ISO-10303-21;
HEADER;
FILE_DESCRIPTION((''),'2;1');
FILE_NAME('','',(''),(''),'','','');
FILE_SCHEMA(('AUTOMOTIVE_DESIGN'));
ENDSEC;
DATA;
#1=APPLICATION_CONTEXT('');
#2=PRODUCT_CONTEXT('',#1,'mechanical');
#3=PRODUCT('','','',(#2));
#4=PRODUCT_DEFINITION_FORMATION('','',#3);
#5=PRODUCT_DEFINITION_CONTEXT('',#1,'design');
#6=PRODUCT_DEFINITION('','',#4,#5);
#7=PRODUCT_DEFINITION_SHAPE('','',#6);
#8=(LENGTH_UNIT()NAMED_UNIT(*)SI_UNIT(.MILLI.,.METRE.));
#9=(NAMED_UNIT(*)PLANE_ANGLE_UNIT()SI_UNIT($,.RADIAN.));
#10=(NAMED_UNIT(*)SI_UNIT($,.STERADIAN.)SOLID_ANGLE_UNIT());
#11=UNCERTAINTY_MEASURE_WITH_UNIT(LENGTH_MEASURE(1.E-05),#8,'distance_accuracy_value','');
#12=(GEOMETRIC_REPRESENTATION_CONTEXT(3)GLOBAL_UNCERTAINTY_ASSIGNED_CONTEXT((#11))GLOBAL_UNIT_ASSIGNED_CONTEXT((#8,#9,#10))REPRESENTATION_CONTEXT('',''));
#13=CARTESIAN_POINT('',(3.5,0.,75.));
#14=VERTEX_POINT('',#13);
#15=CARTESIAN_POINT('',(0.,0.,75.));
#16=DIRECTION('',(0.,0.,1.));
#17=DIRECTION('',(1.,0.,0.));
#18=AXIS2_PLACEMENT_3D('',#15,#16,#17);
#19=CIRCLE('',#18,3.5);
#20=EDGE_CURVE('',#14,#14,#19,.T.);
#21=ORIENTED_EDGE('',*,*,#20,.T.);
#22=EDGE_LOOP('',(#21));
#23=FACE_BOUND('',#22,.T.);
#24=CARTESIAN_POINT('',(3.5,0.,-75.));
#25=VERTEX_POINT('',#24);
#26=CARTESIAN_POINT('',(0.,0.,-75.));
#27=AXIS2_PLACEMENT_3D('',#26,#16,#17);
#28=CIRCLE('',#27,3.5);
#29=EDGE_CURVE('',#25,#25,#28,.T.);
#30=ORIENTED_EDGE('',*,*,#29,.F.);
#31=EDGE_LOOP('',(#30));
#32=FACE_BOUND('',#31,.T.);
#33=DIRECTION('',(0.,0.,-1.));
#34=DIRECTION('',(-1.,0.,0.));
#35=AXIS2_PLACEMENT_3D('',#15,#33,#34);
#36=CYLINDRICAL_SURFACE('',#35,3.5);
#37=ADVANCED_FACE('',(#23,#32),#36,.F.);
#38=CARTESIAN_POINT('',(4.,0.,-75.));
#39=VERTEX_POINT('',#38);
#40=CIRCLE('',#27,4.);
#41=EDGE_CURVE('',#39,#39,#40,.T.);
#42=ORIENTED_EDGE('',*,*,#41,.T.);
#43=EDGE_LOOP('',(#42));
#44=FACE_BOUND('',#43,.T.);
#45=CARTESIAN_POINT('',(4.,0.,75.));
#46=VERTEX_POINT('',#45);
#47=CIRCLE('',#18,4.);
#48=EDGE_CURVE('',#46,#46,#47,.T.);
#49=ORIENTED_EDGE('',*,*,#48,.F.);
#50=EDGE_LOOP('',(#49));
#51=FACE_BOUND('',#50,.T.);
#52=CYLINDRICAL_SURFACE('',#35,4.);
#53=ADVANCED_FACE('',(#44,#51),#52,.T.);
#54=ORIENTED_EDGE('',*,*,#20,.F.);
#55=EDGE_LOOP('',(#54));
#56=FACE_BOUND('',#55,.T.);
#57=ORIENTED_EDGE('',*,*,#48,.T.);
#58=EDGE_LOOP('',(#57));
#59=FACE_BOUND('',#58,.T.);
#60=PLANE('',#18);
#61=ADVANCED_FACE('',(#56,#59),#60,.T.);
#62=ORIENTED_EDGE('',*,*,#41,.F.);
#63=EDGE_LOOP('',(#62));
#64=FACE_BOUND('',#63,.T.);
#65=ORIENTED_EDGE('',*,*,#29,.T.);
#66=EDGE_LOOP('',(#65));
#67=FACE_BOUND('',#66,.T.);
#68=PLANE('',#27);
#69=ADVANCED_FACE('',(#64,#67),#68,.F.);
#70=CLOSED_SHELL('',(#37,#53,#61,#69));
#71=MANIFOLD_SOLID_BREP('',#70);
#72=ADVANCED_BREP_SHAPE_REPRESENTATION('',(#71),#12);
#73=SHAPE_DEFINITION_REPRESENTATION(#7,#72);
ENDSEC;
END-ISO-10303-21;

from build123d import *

# Parameters (mm, degrees)
SKETCH_1_R      = 4
SKETCH_1_R_2    = 3.5
EXTRUDE_1_DEPTH = 75


with BuildPart() as part:
    # Эскиз1 → Бобышка-Вытянуть1 (new, symmetric)
    with BuildSketch(Plane.XY):
        Circle(SKETCH_1_R)
        Circle(SKETCH_1_R_2, mode=Mode.SUBTRACT)
    extrude(amount=EXTRUDE_1_DEPTH, both=True)


solid = part.part
